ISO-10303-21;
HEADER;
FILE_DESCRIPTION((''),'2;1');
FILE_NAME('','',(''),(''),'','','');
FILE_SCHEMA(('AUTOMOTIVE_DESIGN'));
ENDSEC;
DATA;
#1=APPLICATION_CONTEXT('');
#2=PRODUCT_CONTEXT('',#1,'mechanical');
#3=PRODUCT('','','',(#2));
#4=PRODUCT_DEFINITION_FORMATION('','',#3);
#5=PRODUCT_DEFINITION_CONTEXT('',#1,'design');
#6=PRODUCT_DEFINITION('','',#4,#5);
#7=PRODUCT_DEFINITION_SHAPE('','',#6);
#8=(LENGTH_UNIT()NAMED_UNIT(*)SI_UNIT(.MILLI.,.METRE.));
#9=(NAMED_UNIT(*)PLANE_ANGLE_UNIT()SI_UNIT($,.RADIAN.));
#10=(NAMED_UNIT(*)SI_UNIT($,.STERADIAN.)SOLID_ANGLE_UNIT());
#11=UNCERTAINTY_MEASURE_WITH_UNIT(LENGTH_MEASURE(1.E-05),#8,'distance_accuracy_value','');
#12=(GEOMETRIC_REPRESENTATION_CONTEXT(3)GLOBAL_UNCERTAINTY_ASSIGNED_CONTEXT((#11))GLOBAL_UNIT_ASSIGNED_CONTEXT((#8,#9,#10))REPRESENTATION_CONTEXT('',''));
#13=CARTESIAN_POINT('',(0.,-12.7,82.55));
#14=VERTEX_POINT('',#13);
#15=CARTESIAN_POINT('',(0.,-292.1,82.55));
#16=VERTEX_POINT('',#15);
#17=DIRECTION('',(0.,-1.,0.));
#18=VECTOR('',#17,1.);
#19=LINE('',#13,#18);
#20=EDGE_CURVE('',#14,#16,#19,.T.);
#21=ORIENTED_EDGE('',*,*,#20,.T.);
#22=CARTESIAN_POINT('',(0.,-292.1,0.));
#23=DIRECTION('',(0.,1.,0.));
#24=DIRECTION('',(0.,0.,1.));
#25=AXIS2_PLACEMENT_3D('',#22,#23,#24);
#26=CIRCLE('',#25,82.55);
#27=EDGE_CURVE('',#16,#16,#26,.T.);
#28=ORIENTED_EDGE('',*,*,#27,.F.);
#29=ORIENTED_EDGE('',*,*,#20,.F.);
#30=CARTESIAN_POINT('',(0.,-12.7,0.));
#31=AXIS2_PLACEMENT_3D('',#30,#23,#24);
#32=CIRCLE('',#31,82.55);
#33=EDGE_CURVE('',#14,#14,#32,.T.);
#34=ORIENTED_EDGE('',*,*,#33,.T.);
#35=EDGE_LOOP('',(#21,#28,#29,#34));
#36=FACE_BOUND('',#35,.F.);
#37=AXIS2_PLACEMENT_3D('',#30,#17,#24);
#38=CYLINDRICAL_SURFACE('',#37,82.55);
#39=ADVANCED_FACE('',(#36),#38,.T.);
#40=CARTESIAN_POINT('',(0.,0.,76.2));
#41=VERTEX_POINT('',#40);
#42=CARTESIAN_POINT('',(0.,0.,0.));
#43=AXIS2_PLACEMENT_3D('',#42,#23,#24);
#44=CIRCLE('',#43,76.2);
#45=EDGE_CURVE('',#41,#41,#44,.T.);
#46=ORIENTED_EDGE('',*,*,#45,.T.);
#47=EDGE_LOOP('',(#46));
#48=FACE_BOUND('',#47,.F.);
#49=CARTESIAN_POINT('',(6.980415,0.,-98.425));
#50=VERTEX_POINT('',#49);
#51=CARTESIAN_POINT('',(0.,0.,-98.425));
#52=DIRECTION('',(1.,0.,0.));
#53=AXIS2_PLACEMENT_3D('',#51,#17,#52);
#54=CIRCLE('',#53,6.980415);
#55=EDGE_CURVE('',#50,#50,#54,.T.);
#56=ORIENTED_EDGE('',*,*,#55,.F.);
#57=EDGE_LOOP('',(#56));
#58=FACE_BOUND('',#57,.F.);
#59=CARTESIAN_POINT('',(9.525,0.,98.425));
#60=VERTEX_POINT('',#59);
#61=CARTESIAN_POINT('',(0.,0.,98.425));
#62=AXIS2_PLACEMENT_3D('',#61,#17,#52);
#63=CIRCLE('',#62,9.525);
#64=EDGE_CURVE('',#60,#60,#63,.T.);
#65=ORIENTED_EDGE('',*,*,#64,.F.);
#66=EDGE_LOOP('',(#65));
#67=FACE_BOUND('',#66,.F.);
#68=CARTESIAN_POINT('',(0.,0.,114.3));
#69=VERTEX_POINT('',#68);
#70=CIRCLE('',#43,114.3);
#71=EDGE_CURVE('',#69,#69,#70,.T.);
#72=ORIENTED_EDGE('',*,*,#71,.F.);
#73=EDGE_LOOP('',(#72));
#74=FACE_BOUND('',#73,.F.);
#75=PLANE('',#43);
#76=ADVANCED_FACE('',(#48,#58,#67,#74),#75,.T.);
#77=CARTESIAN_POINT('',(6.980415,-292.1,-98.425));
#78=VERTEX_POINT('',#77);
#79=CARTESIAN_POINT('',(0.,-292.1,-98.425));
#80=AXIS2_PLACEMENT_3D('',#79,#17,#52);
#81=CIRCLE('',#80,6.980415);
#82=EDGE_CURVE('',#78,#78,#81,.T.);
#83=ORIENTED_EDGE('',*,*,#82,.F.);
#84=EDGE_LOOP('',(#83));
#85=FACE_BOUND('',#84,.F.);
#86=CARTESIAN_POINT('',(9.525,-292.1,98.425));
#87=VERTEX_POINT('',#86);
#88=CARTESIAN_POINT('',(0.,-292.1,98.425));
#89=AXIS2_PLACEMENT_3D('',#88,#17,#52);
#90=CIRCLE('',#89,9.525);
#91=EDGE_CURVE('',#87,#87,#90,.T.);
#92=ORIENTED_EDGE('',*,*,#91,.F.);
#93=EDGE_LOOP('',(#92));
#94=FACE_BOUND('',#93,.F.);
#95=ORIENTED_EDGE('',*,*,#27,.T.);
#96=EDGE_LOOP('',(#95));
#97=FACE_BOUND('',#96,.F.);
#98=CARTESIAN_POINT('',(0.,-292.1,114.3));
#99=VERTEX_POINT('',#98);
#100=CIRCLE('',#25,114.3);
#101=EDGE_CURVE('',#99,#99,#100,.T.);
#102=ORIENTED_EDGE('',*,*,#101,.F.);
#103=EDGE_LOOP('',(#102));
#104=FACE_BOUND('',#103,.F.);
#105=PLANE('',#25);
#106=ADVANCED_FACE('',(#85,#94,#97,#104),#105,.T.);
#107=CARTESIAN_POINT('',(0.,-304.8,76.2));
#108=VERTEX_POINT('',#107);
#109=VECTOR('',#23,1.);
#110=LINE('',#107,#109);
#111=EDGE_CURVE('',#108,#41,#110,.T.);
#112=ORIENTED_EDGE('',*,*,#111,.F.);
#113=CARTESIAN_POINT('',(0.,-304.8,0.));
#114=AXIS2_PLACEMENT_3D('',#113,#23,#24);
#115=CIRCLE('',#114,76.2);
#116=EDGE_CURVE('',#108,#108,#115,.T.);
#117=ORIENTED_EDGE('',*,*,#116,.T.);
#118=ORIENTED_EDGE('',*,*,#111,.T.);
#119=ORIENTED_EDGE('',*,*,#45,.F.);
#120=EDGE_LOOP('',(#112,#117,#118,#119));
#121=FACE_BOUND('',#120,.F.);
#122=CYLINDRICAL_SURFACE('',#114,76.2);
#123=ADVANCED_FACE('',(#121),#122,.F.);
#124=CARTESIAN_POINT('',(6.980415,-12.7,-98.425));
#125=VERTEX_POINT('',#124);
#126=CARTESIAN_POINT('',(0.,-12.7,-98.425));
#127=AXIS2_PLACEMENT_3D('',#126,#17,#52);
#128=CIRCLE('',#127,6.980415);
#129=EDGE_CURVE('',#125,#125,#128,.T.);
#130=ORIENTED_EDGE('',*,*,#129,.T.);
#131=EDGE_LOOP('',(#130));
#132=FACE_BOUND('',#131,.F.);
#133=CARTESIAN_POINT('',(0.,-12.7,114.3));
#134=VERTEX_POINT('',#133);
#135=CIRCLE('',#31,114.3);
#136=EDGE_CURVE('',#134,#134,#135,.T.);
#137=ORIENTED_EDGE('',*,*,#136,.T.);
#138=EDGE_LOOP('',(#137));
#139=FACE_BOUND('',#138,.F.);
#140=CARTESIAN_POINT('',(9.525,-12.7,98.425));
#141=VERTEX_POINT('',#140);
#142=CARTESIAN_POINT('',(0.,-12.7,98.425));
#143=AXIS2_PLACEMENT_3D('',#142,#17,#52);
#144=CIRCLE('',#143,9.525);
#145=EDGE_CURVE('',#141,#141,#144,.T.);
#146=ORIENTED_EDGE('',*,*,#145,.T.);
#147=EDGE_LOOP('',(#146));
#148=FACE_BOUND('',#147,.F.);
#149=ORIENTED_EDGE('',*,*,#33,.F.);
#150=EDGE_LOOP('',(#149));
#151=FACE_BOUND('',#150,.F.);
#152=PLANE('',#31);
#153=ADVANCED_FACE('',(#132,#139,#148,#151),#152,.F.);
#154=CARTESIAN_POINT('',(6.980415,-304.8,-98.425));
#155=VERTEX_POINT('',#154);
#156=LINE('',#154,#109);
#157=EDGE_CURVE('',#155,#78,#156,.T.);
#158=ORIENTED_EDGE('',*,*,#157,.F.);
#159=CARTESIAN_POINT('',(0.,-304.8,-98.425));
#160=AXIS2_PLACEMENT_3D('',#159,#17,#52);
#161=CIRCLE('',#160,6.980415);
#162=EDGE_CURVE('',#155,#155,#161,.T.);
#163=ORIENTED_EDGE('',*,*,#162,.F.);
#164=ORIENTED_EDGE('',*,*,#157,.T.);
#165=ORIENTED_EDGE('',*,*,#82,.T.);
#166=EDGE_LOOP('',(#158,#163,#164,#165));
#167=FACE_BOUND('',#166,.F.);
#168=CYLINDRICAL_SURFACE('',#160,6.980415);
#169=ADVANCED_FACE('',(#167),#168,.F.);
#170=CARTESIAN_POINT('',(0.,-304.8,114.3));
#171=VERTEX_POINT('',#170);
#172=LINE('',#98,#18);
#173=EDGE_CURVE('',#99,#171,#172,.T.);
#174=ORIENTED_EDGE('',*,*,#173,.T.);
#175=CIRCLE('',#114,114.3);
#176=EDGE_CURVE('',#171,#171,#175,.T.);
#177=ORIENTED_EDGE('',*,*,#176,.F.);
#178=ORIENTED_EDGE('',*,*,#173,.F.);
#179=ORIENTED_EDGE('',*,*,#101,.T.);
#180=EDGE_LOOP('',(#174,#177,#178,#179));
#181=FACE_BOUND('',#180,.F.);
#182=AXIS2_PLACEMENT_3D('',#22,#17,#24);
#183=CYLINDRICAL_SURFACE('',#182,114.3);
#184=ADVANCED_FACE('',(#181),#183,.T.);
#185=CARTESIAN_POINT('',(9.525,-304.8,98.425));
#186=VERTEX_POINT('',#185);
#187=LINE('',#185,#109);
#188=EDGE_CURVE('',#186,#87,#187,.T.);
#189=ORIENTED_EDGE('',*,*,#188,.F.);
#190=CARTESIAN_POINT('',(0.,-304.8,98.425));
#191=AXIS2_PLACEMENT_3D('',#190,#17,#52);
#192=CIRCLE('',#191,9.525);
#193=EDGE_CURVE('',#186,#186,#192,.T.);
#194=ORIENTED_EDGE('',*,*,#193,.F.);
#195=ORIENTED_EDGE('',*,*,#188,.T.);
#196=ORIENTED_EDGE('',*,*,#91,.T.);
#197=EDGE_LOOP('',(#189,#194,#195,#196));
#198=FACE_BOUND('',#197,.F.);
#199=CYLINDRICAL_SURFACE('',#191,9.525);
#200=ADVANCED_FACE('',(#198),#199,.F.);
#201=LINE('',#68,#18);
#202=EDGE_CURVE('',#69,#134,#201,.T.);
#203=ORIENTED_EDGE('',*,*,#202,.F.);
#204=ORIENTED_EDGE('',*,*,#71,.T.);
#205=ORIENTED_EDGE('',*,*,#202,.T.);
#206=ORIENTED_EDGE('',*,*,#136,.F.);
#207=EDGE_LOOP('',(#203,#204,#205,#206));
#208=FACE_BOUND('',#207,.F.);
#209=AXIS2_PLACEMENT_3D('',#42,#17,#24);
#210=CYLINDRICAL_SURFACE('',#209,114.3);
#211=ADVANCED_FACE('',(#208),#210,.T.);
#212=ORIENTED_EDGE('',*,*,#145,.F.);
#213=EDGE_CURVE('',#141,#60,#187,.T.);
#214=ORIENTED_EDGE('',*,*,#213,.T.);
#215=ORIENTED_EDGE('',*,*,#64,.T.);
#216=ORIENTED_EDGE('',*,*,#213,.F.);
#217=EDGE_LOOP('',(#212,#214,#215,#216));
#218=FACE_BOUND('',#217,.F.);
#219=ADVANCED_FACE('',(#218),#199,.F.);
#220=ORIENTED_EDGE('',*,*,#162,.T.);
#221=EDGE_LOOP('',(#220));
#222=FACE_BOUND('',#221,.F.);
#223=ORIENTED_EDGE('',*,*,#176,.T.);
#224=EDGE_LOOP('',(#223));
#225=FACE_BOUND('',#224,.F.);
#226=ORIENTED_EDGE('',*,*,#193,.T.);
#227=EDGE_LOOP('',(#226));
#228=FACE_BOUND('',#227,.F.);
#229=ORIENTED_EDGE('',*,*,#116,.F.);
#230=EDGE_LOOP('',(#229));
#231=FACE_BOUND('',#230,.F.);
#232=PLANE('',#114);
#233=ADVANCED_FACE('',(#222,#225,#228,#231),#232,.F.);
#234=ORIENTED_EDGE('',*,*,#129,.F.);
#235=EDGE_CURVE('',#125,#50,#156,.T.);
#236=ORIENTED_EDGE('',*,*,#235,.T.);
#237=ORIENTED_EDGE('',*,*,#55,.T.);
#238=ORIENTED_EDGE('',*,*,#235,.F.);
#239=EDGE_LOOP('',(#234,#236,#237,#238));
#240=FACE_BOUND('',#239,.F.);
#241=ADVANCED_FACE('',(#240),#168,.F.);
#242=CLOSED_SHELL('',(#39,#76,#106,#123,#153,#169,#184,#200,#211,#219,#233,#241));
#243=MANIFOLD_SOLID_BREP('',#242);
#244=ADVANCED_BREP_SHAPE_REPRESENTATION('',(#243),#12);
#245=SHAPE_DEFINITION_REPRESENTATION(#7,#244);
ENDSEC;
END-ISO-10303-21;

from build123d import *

# Parameters (mm, degrees)
F3_R     = 9.525
F3_R_2   = 6.980415
F4_DEPTH = 304.801


with BuildPart() as f1:
    # F0 (on Right) → F1 (revolve)
    with BuildSketch(Plane.YZ):
        Polygon((0, 76.2), (0, 114.3), (-12.7, 114.3), (-12.7, 82.55), (-292.1, 82.55), (-292.1, 114.3), (-304.8, 114.3), (-304.8, 76.2), align=None)
    revolve(axis=Axis((0, 69.986956, 0), (0, 1, 0)))

    # F3 (on offset) → F4 (cut, through all)
    with BuildSketch(Plane.XZ.offset(304.8)):
        with Locations((0, 98.425)):
            Circle(F3_R)
        with Locations((0, -98.425)):
            Circle(F3_R_2)
    extrude(amount=-F4_DEPTH, mode=Mode.SUBTRACT)


solid = f1.part
